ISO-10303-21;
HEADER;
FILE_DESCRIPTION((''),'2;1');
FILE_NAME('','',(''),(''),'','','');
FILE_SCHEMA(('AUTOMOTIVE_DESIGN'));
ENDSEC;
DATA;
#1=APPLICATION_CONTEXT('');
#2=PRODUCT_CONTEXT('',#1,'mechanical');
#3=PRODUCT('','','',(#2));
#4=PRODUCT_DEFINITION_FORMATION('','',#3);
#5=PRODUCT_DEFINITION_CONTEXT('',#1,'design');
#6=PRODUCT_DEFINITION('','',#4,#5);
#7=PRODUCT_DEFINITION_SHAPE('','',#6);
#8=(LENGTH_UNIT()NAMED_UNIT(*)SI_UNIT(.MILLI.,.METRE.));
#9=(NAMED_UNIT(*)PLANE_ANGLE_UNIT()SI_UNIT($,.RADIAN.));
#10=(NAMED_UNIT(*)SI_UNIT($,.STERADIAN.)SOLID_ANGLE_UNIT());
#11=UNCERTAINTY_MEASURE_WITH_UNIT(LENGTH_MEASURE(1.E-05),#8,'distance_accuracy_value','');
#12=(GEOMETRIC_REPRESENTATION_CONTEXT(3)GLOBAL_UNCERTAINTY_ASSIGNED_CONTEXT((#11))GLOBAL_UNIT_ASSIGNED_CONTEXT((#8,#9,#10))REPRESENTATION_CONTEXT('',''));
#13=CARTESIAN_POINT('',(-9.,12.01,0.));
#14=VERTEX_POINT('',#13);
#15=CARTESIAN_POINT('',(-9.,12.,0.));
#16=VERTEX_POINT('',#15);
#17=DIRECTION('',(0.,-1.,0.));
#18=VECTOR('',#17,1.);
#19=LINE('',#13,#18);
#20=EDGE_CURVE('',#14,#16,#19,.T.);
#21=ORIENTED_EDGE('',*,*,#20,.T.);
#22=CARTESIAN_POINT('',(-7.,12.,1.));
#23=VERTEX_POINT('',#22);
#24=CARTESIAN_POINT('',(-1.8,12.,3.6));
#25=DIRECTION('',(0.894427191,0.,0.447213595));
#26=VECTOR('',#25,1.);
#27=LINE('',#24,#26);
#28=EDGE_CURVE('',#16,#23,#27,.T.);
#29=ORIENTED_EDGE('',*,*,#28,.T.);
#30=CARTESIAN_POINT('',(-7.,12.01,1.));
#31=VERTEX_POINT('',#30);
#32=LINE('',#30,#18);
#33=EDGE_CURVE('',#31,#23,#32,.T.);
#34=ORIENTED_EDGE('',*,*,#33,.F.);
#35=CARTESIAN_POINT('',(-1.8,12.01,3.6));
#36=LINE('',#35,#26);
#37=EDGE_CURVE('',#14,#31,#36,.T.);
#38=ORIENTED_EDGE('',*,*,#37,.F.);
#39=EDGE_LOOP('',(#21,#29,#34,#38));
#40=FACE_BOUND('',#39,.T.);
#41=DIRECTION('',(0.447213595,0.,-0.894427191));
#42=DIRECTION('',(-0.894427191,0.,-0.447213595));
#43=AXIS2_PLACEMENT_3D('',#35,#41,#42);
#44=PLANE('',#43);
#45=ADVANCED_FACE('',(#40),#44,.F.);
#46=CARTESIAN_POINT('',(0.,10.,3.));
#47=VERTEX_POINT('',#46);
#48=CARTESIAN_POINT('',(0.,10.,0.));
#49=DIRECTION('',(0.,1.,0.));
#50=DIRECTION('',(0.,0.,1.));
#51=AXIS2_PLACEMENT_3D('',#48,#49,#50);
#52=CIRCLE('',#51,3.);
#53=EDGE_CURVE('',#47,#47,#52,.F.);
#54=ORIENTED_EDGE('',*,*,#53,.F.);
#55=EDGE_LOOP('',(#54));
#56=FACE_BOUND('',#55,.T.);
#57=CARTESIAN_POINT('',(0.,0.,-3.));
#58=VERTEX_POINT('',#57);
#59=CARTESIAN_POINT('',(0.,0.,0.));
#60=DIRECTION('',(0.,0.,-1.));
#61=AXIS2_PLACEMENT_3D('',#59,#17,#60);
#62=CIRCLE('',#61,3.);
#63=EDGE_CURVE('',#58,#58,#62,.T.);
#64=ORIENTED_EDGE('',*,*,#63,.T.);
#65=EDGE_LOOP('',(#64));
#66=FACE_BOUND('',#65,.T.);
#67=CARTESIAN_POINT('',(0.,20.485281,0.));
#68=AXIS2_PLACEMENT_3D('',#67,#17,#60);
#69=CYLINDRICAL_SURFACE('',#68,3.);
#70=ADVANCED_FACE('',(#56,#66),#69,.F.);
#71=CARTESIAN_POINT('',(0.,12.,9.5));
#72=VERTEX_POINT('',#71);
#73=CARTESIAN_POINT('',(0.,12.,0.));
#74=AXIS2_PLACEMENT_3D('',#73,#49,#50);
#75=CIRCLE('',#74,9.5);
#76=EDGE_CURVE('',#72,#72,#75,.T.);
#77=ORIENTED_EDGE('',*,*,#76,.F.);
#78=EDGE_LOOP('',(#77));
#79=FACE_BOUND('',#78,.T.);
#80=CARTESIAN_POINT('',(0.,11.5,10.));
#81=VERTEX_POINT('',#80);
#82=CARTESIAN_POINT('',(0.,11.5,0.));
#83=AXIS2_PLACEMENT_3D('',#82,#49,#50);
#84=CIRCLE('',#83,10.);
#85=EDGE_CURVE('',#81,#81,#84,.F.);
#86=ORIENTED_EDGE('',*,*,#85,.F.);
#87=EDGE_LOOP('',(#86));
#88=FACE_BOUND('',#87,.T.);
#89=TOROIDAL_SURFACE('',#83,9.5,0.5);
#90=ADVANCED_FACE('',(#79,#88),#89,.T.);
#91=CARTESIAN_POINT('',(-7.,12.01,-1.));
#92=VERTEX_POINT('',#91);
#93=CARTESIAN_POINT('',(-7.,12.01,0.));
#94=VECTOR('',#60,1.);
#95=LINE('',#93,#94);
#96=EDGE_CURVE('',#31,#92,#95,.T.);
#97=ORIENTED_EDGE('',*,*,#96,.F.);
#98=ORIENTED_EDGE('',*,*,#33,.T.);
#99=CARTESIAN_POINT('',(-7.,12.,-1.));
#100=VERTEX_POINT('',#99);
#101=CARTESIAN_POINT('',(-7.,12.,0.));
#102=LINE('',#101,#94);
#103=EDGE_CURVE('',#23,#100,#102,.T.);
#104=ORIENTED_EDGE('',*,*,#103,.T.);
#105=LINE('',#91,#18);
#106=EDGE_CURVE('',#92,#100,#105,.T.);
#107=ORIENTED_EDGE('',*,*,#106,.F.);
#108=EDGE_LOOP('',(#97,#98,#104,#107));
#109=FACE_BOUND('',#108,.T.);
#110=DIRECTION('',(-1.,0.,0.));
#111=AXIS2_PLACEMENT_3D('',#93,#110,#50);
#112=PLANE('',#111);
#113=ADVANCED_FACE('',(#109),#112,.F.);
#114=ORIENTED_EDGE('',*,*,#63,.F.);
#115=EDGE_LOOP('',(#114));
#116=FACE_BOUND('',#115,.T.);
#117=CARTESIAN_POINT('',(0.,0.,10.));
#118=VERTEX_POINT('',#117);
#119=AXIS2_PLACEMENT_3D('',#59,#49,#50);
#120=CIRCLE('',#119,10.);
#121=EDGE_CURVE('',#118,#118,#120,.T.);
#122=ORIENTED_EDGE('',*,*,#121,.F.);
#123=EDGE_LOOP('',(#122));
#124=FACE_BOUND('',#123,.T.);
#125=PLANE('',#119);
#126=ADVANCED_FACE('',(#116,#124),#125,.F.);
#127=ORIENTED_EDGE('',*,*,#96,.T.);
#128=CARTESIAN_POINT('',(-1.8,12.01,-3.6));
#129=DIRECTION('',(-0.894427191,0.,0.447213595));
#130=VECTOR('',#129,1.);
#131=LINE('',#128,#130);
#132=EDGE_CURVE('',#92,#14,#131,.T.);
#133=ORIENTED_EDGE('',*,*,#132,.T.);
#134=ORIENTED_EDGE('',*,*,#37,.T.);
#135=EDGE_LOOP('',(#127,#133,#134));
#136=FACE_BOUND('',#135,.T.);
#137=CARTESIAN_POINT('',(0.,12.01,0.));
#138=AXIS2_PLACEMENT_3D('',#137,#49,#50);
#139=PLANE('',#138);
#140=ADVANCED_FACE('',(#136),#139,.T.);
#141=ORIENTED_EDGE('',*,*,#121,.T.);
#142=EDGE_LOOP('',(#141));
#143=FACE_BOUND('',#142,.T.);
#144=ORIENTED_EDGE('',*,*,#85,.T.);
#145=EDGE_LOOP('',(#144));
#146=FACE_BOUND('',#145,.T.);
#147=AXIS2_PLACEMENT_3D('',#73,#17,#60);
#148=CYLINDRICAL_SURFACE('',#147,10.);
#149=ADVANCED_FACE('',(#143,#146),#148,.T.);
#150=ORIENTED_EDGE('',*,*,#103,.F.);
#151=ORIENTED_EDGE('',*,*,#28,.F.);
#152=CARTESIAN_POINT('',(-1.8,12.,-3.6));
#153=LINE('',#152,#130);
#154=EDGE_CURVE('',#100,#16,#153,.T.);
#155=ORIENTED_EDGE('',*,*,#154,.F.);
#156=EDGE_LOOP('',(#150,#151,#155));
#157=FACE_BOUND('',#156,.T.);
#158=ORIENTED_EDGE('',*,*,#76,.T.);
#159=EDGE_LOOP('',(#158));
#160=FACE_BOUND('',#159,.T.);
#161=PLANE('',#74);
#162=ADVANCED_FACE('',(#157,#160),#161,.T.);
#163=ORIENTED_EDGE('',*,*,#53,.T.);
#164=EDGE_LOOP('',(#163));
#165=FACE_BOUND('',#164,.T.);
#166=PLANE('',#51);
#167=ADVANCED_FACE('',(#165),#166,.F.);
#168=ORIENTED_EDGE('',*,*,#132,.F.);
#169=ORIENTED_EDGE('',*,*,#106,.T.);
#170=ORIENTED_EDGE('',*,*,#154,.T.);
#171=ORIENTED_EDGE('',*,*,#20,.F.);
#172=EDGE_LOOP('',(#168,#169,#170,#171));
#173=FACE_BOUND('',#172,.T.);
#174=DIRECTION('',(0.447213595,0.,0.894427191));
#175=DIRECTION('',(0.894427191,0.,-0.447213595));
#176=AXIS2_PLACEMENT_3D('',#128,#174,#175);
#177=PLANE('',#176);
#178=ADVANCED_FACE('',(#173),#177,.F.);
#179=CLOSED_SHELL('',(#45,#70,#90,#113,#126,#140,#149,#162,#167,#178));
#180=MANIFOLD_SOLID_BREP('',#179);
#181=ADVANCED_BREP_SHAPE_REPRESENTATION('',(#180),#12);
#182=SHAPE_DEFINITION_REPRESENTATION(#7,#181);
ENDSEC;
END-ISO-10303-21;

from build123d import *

# Parameters (mm, degrees)
SKETCH1_R           = 10
BOSS_EXTRUDE1_DEPTH = 12
FILLET1_R           = 0.5
SKETCH2_R           = 3
CUT_EXTRUDE1_DEPTH  = 10
BOSS_EXTRUDE2_DEPTH = 0.01


with BuildPart() as part:
    # Sketch1 → Boss-Extrude1 (new body)
    with BuildSketch(Plane(origin=(0, 0, 0), x_dir=(1, 0, 0), z_dir=(0, 1, 0))):
        Circle(SKETCH1_R)
    extrude(amount=BOSS_EXTRUDE1_DEPTH)

    # Fillet1
    fillet1_edges = [part.edges().sort_by_distance(p)[0] for p in [
        (-10, 12, 0),
    ]]
    fillet(fillet1_edges, radius=FILLET1_R)

    # Sketch2 → Cut-Extrude1 (cut)
    with BuildSketch(Plane.XZ):
        Circle(SKETCH2_R)
    extrude(amount=-CUT_EXTRUDE1_DEPTH, mode=Mode.SUBTRACT)

    # Sketch3 → Boss-Extrude2 (add)
    with BuildSketch(Plane(origin=(0, 12, 0), x_dir=(1, 0, 0), z_dir=(0, 1, 0))):
        Polygon((-7, -1), (-7, 1), (-9, 0), align=None)
    extrude(amount=BOSS_EXTRUDE2_DEPTH)


solid = part.part
